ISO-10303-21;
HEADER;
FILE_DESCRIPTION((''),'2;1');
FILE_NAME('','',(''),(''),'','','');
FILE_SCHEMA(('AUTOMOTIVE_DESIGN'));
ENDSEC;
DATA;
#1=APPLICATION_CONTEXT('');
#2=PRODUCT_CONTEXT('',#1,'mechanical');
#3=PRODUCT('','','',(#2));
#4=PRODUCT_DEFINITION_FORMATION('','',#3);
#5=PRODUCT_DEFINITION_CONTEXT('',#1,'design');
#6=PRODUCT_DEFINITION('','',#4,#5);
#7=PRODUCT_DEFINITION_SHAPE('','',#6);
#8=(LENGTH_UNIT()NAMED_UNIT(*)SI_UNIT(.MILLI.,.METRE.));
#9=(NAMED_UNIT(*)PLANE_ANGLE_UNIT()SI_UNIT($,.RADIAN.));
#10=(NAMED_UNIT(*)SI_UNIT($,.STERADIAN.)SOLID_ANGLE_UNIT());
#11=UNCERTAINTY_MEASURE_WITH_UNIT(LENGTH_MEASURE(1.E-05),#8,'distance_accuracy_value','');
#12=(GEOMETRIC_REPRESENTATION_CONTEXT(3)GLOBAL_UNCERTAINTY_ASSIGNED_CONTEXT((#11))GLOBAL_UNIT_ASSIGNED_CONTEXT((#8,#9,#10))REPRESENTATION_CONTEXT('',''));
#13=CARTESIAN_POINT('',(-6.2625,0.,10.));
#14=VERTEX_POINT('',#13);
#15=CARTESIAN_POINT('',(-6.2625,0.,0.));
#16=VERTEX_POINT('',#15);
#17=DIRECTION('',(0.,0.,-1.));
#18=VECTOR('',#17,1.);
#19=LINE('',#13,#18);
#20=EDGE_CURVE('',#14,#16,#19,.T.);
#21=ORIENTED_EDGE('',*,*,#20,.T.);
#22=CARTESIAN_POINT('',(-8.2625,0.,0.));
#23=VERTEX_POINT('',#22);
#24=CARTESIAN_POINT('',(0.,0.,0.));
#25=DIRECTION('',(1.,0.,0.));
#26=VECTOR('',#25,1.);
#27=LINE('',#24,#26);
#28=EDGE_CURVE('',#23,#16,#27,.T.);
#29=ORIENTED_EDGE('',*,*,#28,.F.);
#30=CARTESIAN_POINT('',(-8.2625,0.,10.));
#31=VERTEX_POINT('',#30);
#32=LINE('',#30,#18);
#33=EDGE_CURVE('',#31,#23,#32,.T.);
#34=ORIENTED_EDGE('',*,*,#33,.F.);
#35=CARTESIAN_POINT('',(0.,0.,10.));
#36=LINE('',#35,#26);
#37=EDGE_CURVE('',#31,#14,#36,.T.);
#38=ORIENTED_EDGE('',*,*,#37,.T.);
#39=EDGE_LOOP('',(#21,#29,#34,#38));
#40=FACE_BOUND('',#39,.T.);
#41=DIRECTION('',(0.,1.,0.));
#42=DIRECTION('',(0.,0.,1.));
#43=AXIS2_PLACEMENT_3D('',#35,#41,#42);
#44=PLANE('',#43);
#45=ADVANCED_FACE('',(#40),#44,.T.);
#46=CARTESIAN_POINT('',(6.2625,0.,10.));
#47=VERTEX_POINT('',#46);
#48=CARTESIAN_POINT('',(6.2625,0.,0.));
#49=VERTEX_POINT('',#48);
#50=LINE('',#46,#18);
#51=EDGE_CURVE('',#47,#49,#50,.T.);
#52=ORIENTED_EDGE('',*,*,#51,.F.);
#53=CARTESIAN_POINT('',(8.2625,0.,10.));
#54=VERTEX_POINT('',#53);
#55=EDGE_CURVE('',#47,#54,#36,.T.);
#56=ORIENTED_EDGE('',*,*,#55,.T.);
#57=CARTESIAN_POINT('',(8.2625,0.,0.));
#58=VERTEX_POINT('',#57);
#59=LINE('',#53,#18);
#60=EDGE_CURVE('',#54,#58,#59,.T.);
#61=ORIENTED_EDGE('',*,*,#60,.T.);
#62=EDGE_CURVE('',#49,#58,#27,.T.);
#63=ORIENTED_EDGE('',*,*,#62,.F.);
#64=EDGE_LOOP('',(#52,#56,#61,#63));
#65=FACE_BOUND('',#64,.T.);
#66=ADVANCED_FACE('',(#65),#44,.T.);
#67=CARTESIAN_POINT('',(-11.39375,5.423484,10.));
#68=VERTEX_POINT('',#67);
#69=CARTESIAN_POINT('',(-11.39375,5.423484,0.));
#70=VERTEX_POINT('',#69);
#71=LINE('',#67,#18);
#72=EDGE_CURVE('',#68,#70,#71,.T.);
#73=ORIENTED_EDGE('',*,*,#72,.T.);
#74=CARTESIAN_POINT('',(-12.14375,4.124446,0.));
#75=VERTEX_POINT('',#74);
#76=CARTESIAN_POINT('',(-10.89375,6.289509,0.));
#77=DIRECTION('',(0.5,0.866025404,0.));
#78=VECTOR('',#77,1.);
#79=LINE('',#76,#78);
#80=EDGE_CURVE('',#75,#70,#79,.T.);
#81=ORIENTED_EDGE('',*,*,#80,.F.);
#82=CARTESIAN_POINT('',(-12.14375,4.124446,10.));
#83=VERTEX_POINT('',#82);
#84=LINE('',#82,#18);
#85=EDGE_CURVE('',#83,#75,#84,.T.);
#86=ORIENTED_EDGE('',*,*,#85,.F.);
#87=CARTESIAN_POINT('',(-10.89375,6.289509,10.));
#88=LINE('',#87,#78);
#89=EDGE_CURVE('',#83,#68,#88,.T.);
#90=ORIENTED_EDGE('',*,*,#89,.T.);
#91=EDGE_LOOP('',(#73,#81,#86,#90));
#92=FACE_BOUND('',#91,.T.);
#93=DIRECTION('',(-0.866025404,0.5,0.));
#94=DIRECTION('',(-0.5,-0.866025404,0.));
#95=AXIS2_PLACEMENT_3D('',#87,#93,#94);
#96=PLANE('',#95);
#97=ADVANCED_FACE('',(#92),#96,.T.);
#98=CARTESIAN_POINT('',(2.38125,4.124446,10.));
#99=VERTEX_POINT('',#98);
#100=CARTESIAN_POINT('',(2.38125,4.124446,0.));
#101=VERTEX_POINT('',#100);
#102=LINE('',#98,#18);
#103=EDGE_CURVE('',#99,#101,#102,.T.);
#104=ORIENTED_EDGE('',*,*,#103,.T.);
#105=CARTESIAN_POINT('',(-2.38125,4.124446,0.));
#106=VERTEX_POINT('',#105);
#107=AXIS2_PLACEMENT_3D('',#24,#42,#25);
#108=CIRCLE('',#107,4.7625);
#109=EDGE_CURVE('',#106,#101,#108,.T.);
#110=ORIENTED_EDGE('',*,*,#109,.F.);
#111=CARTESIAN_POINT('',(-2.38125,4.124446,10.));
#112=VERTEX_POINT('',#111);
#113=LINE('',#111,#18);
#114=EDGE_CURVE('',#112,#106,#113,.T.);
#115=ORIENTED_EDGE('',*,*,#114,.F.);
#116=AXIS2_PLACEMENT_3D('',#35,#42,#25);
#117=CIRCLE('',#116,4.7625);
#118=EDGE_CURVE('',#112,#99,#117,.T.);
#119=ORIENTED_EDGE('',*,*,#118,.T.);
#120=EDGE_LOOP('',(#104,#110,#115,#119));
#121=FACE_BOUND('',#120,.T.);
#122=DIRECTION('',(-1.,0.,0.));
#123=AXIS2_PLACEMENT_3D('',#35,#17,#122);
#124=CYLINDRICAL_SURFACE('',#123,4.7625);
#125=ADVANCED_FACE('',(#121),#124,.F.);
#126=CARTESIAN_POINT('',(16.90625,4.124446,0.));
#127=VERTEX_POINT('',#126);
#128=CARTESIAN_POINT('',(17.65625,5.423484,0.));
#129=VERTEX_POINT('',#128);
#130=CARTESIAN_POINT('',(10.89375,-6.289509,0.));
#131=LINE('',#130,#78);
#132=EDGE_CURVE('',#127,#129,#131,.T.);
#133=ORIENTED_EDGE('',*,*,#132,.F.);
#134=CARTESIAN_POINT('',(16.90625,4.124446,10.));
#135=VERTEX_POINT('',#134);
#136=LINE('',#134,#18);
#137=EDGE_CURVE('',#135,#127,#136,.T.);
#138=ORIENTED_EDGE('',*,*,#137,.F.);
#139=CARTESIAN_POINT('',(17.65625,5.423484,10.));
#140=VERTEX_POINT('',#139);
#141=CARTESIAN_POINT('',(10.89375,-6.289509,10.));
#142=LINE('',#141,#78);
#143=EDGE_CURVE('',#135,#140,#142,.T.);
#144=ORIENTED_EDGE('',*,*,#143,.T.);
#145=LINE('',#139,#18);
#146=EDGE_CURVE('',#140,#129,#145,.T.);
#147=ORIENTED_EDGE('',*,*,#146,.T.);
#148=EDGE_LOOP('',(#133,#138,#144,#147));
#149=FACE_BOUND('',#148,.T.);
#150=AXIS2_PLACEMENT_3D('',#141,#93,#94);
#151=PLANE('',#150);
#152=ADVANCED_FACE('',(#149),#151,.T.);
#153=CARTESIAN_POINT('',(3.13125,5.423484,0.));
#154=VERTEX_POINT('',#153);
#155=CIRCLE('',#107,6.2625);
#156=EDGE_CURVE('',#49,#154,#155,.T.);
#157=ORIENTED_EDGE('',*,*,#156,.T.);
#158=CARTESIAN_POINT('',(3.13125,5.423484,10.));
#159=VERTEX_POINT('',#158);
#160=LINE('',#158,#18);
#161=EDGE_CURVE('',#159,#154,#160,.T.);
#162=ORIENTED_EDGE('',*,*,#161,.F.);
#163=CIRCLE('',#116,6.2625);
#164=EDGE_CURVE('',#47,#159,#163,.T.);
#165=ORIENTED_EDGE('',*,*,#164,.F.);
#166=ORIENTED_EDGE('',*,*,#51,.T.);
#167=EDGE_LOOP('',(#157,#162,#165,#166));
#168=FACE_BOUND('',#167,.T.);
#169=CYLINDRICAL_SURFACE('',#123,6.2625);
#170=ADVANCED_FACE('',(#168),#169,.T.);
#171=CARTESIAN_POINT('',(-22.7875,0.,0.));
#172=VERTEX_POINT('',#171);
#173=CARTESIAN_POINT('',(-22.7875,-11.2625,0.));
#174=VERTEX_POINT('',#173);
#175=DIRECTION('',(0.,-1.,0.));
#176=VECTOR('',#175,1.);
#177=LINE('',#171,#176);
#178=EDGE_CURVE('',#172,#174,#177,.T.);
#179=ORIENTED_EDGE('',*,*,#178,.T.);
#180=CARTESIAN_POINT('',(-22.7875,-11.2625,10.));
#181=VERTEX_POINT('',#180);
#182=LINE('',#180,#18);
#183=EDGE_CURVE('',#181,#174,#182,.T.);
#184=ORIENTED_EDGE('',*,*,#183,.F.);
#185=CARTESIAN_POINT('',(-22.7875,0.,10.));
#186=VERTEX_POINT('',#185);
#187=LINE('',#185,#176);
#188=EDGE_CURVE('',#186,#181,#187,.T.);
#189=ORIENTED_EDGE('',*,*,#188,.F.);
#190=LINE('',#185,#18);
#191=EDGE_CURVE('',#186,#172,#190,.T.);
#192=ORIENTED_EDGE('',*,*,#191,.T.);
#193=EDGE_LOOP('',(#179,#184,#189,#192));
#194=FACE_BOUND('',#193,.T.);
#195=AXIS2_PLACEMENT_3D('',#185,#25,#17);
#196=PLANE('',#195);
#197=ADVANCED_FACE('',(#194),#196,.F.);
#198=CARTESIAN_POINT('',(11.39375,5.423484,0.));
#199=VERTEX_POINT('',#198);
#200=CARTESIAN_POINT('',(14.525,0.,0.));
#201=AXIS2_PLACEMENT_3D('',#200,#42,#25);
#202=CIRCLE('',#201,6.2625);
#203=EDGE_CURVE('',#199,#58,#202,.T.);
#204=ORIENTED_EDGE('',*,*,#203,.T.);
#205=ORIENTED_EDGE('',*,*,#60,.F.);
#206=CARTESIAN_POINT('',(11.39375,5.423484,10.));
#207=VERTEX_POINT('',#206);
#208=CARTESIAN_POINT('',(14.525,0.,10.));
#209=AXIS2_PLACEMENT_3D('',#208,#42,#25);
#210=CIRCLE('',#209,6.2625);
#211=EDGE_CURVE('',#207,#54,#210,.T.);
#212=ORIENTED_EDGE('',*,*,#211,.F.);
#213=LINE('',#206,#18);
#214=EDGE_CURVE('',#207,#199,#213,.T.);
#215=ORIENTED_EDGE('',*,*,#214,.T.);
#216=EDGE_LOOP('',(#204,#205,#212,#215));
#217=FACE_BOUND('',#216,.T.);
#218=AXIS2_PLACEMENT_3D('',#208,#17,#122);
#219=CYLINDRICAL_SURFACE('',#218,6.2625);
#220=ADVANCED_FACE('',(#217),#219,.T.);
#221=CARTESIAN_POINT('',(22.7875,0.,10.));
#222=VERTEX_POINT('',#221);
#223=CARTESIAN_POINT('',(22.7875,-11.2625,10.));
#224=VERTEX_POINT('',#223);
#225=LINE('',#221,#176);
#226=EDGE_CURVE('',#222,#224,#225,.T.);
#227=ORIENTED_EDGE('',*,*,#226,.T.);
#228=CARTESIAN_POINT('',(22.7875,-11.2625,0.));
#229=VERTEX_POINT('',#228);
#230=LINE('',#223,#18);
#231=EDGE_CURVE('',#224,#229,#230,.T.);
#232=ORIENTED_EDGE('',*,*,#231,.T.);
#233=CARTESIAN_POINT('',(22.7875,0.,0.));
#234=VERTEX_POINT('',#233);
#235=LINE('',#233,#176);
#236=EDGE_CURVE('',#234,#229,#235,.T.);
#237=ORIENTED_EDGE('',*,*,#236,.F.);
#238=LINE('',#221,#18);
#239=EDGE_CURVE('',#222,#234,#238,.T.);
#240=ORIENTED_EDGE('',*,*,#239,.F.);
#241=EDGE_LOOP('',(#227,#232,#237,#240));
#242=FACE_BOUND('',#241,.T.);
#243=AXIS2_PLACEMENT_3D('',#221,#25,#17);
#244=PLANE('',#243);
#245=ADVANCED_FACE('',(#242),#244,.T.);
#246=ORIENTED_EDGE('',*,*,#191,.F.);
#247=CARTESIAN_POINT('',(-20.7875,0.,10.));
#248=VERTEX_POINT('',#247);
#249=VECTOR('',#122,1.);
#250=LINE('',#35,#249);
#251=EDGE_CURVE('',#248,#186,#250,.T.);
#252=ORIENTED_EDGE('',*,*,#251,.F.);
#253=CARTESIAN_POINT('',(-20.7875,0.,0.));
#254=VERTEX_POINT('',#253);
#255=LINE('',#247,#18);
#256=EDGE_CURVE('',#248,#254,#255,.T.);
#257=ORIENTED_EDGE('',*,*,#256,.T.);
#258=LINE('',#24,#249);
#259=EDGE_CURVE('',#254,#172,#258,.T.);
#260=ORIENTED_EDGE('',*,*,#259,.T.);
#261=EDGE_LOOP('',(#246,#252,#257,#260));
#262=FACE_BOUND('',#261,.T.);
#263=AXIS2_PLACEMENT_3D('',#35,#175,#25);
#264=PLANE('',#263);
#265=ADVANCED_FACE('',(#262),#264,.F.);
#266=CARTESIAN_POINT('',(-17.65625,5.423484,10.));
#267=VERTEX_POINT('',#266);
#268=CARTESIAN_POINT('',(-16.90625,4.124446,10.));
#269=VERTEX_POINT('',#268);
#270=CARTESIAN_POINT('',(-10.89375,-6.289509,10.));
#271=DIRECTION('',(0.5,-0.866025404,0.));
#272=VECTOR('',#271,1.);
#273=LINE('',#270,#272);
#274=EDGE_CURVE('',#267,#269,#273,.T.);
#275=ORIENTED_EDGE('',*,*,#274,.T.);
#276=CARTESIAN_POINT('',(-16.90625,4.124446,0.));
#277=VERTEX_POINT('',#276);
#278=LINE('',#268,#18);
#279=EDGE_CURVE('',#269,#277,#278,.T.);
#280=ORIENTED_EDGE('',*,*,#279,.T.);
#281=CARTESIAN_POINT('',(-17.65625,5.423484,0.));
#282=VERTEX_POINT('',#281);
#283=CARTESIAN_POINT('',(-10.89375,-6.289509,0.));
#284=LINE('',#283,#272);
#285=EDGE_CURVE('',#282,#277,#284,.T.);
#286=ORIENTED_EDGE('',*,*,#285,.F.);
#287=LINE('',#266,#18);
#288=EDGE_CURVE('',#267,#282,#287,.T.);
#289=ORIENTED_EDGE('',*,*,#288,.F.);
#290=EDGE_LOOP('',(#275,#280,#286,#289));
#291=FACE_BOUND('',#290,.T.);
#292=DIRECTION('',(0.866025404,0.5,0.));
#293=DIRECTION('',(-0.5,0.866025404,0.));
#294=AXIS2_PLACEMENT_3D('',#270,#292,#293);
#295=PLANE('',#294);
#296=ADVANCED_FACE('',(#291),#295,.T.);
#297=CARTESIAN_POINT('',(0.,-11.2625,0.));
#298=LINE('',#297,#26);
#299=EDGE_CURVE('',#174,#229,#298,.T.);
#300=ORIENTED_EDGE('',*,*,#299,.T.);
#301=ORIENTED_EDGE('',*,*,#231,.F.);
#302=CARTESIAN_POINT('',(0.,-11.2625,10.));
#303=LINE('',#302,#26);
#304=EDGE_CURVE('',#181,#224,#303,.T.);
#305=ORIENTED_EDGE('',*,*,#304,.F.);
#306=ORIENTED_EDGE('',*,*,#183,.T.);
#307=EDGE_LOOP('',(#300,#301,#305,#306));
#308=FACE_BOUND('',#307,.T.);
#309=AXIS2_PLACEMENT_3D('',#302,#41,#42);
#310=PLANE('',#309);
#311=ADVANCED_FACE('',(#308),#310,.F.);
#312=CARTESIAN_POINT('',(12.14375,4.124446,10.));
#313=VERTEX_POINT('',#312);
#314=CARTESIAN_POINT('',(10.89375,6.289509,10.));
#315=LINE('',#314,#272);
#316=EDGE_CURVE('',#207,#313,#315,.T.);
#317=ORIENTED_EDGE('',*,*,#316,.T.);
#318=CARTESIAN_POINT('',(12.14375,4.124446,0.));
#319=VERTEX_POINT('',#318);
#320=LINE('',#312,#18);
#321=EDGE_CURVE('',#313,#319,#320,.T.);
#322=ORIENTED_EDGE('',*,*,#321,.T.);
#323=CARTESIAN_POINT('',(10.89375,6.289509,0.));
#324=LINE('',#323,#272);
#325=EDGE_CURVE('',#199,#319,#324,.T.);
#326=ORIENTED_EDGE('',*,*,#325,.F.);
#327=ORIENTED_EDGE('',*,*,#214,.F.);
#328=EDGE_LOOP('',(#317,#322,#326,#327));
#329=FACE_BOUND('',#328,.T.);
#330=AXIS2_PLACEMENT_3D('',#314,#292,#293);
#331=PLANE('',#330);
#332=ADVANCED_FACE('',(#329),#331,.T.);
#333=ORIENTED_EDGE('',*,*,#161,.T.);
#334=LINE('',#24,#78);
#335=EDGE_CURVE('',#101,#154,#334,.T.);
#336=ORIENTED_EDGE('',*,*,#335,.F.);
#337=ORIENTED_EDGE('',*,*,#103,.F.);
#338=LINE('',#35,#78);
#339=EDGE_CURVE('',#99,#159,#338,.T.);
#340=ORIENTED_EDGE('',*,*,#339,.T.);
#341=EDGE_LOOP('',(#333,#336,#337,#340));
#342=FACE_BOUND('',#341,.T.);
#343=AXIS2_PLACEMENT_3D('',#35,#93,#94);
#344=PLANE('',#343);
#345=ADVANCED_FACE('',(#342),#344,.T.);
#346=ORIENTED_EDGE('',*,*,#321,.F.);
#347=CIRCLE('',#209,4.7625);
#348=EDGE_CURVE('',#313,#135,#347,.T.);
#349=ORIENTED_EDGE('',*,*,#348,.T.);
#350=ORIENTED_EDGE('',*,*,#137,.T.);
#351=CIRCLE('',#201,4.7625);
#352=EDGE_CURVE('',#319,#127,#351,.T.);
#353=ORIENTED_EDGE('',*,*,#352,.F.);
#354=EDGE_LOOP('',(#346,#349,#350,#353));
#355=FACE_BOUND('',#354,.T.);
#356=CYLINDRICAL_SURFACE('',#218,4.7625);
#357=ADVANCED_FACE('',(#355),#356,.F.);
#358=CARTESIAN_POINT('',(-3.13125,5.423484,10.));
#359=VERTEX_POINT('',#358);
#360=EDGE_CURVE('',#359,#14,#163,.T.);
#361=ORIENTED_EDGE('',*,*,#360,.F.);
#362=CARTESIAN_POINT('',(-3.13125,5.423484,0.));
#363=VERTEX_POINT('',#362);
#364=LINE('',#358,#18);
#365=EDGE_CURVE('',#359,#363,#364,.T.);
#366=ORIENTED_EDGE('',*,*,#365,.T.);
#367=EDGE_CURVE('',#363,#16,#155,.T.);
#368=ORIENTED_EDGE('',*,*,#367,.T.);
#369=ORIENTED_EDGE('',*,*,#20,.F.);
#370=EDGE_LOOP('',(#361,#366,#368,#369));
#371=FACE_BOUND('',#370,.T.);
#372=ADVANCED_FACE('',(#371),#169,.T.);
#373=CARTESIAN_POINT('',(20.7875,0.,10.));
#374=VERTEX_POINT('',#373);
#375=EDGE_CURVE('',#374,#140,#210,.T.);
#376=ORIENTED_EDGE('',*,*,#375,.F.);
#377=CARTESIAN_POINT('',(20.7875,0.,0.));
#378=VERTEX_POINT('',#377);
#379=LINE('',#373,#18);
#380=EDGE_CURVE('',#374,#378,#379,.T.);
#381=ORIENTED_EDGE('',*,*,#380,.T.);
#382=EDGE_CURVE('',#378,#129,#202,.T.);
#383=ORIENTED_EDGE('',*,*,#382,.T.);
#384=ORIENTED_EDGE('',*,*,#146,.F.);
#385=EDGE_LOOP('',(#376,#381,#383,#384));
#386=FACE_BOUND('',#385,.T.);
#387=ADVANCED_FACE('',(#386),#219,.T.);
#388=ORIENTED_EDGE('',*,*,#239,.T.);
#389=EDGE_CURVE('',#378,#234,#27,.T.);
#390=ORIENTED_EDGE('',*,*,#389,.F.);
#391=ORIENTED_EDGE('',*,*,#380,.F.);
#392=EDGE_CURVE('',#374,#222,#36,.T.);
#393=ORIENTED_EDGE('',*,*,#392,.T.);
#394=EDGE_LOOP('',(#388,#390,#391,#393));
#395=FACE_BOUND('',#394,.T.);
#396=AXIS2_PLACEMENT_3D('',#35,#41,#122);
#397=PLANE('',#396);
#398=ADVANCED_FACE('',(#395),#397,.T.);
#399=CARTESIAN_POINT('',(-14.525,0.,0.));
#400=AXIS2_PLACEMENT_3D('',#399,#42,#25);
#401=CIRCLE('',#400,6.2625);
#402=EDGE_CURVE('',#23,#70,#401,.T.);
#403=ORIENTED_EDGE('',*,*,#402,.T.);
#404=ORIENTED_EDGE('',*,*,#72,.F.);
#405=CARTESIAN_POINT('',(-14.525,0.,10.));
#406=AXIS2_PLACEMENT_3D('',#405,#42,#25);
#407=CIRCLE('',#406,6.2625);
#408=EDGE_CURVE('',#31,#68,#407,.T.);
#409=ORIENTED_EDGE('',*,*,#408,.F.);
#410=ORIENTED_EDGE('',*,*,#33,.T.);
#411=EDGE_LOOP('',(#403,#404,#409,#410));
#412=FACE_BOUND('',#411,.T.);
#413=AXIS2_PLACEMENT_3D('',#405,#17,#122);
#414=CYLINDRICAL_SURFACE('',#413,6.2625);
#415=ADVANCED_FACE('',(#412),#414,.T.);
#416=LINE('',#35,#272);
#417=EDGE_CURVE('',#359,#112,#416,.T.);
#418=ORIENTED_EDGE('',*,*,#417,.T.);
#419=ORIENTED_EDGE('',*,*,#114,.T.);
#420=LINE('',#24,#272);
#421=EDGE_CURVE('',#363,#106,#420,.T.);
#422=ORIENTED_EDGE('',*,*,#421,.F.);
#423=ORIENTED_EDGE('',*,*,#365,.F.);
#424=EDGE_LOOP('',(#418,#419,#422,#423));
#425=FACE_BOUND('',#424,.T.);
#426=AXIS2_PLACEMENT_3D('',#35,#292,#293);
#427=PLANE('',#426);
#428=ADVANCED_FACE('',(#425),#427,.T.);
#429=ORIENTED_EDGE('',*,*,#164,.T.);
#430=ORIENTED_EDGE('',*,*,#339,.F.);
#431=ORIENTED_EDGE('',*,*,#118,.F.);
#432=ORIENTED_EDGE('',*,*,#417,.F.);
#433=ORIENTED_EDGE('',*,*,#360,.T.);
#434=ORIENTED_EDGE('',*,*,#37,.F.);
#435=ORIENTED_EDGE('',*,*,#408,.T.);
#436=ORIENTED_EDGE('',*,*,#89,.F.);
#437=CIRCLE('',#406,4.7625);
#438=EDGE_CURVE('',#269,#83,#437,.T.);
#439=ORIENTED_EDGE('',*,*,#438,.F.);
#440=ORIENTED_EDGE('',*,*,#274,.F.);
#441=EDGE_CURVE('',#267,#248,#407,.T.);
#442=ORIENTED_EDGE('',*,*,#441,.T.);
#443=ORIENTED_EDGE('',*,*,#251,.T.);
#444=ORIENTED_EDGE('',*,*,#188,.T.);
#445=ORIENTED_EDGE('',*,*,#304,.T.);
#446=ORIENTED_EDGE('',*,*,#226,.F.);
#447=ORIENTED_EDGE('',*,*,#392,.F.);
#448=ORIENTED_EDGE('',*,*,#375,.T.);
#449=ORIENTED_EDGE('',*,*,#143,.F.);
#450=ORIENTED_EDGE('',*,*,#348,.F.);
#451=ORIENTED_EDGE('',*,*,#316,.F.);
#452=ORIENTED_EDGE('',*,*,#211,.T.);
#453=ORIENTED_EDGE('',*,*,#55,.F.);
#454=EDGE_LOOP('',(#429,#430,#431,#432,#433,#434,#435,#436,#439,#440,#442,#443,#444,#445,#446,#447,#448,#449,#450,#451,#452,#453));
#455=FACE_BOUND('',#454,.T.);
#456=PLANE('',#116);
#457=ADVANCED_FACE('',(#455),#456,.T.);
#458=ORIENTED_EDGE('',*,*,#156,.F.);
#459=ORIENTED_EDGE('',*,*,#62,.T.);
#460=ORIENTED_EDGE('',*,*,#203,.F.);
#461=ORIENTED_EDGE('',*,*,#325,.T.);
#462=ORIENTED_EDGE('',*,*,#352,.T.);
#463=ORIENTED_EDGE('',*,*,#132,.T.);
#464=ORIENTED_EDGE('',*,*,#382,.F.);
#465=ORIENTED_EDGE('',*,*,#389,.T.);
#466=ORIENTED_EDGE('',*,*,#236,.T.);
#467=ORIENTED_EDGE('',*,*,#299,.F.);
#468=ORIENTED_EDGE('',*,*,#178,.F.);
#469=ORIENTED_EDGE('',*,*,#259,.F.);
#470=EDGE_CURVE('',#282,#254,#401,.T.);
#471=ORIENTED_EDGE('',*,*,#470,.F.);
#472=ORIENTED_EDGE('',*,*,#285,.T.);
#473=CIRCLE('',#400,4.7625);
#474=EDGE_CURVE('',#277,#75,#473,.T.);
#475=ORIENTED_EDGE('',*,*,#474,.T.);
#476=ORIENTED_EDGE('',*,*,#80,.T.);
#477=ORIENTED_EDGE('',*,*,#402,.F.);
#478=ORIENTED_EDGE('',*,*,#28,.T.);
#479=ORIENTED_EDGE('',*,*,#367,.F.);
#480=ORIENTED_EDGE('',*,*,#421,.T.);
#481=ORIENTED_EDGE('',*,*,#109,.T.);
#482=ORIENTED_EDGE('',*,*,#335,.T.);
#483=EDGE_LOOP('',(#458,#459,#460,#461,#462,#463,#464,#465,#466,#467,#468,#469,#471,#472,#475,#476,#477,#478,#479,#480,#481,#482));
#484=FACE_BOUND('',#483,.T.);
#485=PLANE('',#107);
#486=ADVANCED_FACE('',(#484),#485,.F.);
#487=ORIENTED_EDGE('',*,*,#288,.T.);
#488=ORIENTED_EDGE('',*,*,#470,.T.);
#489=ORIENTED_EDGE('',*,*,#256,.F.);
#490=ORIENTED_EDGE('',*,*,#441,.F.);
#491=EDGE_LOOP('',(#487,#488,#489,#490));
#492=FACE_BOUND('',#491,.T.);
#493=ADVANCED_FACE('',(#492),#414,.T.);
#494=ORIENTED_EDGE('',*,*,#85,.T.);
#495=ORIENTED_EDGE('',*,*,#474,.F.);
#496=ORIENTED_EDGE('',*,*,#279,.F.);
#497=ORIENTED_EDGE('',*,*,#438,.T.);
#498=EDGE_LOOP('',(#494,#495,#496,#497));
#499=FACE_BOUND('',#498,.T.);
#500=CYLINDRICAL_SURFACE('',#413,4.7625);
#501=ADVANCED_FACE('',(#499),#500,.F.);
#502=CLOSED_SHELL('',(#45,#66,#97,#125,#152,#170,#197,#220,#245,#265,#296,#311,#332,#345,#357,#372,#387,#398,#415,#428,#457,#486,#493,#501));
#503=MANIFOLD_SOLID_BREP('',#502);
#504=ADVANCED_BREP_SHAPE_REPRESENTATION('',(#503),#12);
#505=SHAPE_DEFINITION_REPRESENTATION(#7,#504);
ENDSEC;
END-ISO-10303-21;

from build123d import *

# Parameters (mm, degrees)
BOSS_EXTRUDE1_DEPTH = 10


with BuildPart() as part:
    # Sketch4 → Boss-Extrude1 (new body)
    with BuildSketch(Plane.XY):
        with BuildLine():
            Line((-20.7875, 0), (-22.7875, 0))
            Line((-22.7875, 0), (-22.7875, -11.2625))
            Line((-22.7875, -11.2625), (22.7875, -11.2625))
            Line((22.7875, -11.2625), (22.7875, 0))
            Line((22.7875, 0), (20.7875, 0))
            ThreePointArc((20.7875, 0), (19.948484091, 3.13125), (17.65625, 5.423484091))
            Line((17.65625, 5.423484091), (16.90625, 4.124445986))
            ThreePointArc((16.90625, 4.124445986), (14.525, -4.7625), (12.14375, 4.124445986))
            Line((12.14375, 4.124445986), (11.39375, 5.423484091))
            ThreePointArc((11.39375, 5.423484091), (9.101515909, 3.13125), (8.2625, 0))
            Line((8.2625, 0), (6.2625, 0))
            ThreePointArc((6.2625, 0), (5.423484091, 3.13125), (3.13125, 5.423484091))
            Line((3.13125, 5.423484091), (2.38125, 4.124445986))
            ThreePointArc((2.38125, 4.124445986), (0, -4.7625), (-2.38125, 4.124445986))
            Line((-2.38125, 4.124445986), (-3.13125, 5.423484091))
            ThreePointArc((-3.13125, 5.423484091), (-5.423484091, 3.13125), (-6.2625, 0))
            Line((-6.2625, 0), (-8.2625, 0))
            ThreePointArc((-8.2625, 0), (-9.101515909, 3.13125), (-11.39375, 5.423484091))
            Line((-11.39375, 5.423484091), (-12.14375, 4.124445986))
            ThreePointArc((-12.14375, 4.124445986), (-14.525, -4.7625), (-16.90625, 4.124445986))
            Line((-16.90625, 4.124445986), (-17.65625, 5.423484091))
            ThreePointArc((-17.65625, 5.423484091), (-19.948484091, 3.13125), (-20.7875, 0))
        make_face()
    extrude(amount=BOSS_EXTRUDE1_DEPTH)


solid = part.part
